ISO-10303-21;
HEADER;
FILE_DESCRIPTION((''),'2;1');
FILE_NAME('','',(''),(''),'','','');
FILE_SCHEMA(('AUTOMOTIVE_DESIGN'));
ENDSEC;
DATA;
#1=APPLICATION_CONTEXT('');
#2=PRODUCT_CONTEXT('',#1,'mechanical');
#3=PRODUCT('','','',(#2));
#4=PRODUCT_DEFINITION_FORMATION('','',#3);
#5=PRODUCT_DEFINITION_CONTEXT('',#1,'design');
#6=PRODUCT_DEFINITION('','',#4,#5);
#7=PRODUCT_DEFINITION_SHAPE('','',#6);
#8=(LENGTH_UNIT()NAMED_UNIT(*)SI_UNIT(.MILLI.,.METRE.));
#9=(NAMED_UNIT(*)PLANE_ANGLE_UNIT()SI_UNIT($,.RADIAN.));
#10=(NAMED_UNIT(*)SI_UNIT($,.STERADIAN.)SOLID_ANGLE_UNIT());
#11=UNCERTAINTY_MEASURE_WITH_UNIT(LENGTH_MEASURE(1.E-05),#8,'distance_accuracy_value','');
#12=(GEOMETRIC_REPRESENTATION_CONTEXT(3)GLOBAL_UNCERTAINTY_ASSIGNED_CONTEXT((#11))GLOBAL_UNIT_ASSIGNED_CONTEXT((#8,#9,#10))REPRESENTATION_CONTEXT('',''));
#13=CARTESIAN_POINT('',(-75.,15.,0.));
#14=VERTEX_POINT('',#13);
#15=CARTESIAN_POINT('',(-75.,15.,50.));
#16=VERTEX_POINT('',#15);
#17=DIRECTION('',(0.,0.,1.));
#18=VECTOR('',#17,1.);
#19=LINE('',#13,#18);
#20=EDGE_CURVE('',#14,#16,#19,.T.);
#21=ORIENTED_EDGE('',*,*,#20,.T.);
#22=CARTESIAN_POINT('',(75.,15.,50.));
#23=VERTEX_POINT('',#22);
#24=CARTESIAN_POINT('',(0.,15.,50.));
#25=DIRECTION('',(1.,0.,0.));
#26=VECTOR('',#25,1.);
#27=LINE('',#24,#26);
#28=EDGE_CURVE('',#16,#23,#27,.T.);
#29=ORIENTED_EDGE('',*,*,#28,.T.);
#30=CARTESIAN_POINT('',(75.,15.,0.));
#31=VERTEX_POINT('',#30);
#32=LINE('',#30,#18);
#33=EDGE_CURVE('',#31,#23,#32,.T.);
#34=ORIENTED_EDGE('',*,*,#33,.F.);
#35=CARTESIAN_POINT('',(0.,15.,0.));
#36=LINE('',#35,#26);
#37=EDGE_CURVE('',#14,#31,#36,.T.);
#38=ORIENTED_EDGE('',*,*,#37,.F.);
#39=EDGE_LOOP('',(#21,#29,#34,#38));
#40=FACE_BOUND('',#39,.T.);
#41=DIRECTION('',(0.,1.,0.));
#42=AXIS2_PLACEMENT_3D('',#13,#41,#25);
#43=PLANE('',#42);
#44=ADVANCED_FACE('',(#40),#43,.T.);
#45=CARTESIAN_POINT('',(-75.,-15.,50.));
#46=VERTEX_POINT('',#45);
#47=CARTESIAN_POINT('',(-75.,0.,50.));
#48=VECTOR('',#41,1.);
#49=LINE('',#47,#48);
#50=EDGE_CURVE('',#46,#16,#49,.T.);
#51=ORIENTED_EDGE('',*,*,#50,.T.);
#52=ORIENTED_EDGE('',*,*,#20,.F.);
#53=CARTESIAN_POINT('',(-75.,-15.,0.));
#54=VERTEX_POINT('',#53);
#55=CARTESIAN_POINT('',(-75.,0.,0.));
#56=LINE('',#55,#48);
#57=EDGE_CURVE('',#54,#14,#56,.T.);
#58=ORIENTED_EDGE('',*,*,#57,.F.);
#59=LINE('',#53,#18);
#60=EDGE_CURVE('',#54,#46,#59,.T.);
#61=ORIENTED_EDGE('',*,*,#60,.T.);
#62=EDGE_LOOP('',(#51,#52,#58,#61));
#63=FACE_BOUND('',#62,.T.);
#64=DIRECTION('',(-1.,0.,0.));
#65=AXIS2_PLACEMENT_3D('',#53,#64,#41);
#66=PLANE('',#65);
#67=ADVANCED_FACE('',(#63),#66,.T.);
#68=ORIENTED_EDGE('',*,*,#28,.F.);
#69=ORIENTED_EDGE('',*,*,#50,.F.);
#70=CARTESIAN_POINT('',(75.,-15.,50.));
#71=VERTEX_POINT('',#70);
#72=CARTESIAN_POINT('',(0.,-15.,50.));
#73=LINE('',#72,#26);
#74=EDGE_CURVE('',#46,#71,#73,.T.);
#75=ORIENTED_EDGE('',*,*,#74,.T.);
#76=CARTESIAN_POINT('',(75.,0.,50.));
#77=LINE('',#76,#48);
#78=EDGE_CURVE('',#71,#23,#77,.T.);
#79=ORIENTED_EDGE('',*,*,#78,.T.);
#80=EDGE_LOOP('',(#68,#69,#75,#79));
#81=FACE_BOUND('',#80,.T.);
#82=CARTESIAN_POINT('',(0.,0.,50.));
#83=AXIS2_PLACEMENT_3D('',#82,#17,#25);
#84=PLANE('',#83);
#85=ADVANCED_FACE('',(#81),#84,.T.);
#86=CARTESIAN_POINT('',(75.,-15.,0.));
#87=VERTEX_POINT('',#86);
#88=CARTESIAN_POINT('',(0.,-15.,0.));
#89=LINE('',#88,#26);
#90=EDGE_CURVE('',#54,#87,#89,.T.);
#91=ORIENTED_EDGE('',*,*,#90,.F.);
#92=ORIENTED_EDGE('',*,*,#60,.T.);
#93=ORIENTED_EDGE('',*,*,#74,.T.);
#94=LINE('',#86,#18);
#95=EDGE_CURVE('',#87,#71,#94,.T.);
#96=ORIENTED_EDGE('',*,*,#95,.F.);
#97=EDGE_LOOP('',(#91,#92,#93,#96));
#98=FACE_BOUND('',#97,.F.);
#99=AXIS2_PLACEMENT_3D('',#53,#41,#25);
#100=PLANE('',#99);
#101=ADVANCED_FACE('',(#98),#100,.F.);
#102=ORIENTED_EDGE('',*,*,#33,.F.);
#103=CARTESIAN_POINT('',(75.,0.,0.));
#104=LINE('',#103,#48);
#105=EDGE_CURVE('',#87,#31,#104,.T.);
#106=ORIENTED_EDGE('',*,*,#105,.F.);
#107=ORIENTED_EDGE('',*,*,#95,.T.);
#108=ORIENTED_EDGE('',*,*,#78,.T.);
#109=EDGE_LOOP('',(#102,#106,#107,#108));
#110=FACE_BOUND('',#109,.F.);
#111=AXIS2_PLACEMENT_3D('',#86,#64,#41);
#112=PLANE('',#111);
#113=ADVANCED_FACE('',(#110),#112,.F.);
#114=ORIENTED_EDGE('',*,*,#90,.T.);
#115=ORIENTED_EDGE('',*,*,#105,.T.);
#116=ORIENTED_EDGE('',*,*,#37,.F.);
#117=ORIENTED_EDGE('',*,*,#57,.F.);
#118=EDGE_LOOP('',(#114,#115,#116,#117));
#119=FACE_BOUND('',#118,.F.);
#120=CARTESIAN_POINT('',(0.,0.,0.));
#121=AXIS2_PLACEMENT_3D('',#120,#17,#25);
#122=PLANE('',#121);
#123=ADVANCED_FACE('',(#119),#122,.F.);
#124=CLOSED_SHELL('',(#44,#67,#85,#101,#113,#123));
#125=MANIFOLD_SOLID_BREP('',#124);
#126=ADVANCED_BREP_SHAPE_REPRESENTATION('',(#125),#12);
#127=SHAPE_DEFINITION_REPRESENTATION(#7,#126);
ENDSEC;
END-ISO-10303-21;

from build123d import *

# Parameters (mm, degrees)
SKETCH_W      = 150
SKETCH_H      = 30
EXTRUDE_DEPTH = 50


with BuildPart() as part:
    # Sketch → Extrude (new body)
    with BuildSketch(Plane.XY):
        Rectangle(SKETCH_W, SKETCH_H)
    extrude(amount=EXTRUDE_DEPTH)


solid = part.part
